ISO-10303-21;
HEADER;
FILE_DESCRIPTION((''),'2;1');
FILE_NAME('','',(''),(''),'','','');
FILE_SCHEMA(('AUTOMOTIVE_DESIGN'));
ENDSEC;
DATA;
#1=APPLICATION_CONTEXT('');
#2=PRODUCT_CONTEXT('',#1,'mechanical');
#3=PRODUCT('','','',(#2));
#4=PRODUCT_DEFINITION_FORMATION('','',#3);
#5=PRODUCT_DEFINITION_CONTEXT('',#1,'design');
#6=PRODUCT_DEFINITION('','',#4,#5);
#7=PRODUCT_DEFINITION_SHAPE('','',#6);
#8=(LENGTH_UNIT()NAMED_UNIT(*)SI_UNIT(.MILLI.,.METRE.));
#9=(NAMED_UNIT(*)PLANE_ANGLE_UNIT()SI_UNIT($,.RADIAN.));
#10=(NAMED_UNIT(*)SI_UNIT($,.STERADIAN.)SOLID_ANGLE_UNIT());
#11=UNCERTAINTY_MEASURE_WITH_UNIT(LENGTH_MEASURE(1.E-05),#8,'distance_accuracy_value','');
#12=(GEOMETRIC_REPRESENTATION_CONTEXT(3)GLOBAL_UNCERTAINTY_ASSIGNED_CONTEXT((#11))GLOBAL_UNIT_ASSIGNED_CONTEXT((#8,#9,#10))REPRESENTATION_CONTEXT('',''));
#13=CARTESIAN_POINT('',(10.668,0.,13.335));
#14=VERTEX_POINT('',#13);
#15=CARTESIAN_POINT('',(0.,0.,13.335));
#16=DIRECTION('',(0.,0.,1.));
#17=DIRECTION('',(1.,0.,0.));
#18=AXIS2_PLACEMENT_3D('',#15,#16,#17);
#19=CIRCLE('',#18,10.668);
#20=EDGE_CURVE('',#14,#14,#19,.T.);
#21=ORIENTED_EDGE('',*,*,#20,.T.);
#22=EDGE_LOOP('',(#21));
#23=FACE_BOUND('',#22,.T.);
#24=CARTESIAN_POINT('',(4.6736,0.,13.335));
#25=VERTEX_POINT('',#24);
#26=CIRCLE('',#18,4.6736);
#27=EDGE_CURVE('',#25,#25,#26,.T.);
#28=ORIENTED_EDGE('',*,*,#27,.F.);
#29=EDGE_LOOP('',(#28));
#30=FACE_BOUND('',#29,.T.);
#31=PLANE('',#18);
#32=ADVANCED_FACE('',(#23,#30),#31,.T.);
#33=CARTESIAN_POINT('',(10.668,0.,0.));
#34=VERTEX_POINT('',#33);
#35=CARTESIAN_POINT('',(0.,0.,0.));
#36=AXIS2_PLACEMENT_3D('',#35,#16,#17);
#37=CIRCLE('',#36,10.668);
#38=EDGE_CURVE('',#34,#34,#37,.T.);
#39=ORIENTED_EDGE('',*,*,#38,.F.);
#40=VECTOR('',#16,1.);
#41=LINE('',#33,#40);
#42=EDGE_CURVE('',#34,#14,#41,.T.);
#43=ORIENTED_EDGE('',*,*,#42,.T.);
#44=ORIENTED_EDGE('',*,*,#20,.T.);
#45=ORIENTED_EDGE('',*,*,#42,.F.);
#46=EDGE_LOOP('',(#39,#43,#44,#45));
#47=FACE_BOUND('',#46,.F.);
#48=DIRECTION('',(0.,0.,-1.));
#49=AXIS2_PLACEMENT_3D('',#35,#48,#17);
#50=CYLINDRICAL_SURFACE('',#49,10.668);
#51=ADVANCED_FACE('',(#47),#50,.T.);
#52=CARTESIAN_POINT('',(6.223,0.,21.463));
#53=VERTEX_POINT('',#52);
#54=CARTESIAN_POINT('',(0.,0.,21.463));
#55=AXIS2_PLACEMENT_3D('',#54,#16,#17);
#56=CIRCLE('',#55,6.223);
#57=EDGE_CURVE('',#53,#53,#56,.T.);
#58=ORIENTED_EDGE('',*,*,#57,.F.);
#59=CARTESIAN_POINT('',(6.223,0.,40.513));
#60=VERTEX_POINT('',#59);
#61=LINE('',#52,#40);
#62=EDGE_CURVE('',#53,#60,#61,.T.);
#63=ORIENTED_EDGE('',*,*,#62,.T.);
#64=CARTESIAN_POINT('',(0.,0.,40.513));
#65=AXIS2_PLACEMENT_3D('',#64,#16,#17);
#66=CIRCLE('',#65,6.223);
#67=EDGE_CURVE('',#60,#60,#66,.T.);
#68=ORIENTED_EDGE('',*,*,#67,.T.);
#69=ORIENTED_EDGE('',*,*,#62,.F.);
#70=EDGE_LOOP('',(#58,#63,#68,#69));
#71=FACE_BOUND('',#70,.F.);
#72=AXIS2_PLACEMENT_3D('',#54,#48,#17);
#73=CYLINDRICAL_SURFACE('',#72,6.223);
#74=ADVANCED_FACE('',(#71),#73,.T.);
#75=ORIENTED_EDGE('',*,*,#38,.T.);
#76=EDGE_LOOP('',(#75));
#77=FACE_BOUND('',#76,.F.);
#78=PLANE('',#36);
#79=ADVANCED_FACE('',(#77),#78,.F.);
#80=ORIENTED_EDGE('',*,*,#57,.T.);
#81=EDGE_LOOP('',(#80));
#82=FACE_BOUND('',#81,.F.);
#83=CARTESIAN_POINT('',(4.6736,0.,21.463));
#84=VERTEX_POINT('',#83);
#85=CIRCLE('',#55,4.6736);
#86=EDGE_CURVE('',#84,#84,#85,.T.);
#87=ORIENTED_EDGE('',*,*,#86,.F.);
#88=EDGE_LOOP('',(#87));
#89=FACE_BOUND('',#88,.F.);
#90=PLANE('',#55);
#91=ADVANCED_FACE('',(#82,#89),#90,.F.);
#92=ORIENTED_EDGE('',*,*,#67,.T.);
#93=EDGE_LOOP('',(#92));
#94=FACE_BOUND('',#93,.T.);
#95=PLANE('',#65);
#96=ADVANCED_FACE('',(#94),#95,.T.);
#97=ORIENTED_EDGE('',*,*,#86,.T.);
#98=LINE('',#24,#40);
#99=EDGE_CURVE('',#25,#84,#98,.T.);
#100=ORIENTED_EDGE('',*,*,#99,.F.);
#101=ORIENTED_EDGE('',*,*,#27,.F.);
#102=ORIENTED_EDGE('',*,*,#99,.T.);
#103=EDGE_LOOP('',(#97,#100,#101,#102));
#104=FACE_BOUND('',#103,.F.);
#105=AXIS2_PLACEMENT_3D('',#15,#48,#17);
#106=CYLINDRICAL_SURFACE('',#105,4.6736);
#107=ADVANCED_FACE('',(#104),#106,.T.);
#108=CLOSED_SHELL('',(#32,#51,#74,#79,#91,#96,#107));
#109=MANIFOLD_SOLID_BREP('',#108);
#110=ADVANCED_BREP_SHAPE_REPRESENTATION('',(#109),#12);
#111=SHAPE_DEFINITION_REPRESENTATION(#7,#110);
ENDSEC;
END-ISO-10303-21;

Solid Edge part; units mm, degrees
sketch "Sketch1" plane through (0, 0, 0) normal (0, 0, 1) x (1, 0, 0)
  circle A0 centre (0, 0) radius 10.668
  dimension "D1" = 21.336
extrude "Protrusion1" add sketch "Sketch1" along normal blind 13.335
sketch "Sketch2" plane through (0, 0, 13.335) normal (0, 0, 1) x (1, 0, 0)
  circle A0 centre (0, 0) radius 4.6736
  dimension "D1" = 9.3472
extrude "ExtrudedProtrusion_2" add sketch "Sketch2" along normal blind 8.128
sketch "Sketch3" plane through (0, 0, 21.463) normal (0, 0, 1) x (1, 0, 0)
  circle A0 centre (0, 0) radius 6.223
  dimension "D1" = 12.446
extrude "ExtrudedProtrusion_3" add sketch "Sketch3" along normal blind 19.05
